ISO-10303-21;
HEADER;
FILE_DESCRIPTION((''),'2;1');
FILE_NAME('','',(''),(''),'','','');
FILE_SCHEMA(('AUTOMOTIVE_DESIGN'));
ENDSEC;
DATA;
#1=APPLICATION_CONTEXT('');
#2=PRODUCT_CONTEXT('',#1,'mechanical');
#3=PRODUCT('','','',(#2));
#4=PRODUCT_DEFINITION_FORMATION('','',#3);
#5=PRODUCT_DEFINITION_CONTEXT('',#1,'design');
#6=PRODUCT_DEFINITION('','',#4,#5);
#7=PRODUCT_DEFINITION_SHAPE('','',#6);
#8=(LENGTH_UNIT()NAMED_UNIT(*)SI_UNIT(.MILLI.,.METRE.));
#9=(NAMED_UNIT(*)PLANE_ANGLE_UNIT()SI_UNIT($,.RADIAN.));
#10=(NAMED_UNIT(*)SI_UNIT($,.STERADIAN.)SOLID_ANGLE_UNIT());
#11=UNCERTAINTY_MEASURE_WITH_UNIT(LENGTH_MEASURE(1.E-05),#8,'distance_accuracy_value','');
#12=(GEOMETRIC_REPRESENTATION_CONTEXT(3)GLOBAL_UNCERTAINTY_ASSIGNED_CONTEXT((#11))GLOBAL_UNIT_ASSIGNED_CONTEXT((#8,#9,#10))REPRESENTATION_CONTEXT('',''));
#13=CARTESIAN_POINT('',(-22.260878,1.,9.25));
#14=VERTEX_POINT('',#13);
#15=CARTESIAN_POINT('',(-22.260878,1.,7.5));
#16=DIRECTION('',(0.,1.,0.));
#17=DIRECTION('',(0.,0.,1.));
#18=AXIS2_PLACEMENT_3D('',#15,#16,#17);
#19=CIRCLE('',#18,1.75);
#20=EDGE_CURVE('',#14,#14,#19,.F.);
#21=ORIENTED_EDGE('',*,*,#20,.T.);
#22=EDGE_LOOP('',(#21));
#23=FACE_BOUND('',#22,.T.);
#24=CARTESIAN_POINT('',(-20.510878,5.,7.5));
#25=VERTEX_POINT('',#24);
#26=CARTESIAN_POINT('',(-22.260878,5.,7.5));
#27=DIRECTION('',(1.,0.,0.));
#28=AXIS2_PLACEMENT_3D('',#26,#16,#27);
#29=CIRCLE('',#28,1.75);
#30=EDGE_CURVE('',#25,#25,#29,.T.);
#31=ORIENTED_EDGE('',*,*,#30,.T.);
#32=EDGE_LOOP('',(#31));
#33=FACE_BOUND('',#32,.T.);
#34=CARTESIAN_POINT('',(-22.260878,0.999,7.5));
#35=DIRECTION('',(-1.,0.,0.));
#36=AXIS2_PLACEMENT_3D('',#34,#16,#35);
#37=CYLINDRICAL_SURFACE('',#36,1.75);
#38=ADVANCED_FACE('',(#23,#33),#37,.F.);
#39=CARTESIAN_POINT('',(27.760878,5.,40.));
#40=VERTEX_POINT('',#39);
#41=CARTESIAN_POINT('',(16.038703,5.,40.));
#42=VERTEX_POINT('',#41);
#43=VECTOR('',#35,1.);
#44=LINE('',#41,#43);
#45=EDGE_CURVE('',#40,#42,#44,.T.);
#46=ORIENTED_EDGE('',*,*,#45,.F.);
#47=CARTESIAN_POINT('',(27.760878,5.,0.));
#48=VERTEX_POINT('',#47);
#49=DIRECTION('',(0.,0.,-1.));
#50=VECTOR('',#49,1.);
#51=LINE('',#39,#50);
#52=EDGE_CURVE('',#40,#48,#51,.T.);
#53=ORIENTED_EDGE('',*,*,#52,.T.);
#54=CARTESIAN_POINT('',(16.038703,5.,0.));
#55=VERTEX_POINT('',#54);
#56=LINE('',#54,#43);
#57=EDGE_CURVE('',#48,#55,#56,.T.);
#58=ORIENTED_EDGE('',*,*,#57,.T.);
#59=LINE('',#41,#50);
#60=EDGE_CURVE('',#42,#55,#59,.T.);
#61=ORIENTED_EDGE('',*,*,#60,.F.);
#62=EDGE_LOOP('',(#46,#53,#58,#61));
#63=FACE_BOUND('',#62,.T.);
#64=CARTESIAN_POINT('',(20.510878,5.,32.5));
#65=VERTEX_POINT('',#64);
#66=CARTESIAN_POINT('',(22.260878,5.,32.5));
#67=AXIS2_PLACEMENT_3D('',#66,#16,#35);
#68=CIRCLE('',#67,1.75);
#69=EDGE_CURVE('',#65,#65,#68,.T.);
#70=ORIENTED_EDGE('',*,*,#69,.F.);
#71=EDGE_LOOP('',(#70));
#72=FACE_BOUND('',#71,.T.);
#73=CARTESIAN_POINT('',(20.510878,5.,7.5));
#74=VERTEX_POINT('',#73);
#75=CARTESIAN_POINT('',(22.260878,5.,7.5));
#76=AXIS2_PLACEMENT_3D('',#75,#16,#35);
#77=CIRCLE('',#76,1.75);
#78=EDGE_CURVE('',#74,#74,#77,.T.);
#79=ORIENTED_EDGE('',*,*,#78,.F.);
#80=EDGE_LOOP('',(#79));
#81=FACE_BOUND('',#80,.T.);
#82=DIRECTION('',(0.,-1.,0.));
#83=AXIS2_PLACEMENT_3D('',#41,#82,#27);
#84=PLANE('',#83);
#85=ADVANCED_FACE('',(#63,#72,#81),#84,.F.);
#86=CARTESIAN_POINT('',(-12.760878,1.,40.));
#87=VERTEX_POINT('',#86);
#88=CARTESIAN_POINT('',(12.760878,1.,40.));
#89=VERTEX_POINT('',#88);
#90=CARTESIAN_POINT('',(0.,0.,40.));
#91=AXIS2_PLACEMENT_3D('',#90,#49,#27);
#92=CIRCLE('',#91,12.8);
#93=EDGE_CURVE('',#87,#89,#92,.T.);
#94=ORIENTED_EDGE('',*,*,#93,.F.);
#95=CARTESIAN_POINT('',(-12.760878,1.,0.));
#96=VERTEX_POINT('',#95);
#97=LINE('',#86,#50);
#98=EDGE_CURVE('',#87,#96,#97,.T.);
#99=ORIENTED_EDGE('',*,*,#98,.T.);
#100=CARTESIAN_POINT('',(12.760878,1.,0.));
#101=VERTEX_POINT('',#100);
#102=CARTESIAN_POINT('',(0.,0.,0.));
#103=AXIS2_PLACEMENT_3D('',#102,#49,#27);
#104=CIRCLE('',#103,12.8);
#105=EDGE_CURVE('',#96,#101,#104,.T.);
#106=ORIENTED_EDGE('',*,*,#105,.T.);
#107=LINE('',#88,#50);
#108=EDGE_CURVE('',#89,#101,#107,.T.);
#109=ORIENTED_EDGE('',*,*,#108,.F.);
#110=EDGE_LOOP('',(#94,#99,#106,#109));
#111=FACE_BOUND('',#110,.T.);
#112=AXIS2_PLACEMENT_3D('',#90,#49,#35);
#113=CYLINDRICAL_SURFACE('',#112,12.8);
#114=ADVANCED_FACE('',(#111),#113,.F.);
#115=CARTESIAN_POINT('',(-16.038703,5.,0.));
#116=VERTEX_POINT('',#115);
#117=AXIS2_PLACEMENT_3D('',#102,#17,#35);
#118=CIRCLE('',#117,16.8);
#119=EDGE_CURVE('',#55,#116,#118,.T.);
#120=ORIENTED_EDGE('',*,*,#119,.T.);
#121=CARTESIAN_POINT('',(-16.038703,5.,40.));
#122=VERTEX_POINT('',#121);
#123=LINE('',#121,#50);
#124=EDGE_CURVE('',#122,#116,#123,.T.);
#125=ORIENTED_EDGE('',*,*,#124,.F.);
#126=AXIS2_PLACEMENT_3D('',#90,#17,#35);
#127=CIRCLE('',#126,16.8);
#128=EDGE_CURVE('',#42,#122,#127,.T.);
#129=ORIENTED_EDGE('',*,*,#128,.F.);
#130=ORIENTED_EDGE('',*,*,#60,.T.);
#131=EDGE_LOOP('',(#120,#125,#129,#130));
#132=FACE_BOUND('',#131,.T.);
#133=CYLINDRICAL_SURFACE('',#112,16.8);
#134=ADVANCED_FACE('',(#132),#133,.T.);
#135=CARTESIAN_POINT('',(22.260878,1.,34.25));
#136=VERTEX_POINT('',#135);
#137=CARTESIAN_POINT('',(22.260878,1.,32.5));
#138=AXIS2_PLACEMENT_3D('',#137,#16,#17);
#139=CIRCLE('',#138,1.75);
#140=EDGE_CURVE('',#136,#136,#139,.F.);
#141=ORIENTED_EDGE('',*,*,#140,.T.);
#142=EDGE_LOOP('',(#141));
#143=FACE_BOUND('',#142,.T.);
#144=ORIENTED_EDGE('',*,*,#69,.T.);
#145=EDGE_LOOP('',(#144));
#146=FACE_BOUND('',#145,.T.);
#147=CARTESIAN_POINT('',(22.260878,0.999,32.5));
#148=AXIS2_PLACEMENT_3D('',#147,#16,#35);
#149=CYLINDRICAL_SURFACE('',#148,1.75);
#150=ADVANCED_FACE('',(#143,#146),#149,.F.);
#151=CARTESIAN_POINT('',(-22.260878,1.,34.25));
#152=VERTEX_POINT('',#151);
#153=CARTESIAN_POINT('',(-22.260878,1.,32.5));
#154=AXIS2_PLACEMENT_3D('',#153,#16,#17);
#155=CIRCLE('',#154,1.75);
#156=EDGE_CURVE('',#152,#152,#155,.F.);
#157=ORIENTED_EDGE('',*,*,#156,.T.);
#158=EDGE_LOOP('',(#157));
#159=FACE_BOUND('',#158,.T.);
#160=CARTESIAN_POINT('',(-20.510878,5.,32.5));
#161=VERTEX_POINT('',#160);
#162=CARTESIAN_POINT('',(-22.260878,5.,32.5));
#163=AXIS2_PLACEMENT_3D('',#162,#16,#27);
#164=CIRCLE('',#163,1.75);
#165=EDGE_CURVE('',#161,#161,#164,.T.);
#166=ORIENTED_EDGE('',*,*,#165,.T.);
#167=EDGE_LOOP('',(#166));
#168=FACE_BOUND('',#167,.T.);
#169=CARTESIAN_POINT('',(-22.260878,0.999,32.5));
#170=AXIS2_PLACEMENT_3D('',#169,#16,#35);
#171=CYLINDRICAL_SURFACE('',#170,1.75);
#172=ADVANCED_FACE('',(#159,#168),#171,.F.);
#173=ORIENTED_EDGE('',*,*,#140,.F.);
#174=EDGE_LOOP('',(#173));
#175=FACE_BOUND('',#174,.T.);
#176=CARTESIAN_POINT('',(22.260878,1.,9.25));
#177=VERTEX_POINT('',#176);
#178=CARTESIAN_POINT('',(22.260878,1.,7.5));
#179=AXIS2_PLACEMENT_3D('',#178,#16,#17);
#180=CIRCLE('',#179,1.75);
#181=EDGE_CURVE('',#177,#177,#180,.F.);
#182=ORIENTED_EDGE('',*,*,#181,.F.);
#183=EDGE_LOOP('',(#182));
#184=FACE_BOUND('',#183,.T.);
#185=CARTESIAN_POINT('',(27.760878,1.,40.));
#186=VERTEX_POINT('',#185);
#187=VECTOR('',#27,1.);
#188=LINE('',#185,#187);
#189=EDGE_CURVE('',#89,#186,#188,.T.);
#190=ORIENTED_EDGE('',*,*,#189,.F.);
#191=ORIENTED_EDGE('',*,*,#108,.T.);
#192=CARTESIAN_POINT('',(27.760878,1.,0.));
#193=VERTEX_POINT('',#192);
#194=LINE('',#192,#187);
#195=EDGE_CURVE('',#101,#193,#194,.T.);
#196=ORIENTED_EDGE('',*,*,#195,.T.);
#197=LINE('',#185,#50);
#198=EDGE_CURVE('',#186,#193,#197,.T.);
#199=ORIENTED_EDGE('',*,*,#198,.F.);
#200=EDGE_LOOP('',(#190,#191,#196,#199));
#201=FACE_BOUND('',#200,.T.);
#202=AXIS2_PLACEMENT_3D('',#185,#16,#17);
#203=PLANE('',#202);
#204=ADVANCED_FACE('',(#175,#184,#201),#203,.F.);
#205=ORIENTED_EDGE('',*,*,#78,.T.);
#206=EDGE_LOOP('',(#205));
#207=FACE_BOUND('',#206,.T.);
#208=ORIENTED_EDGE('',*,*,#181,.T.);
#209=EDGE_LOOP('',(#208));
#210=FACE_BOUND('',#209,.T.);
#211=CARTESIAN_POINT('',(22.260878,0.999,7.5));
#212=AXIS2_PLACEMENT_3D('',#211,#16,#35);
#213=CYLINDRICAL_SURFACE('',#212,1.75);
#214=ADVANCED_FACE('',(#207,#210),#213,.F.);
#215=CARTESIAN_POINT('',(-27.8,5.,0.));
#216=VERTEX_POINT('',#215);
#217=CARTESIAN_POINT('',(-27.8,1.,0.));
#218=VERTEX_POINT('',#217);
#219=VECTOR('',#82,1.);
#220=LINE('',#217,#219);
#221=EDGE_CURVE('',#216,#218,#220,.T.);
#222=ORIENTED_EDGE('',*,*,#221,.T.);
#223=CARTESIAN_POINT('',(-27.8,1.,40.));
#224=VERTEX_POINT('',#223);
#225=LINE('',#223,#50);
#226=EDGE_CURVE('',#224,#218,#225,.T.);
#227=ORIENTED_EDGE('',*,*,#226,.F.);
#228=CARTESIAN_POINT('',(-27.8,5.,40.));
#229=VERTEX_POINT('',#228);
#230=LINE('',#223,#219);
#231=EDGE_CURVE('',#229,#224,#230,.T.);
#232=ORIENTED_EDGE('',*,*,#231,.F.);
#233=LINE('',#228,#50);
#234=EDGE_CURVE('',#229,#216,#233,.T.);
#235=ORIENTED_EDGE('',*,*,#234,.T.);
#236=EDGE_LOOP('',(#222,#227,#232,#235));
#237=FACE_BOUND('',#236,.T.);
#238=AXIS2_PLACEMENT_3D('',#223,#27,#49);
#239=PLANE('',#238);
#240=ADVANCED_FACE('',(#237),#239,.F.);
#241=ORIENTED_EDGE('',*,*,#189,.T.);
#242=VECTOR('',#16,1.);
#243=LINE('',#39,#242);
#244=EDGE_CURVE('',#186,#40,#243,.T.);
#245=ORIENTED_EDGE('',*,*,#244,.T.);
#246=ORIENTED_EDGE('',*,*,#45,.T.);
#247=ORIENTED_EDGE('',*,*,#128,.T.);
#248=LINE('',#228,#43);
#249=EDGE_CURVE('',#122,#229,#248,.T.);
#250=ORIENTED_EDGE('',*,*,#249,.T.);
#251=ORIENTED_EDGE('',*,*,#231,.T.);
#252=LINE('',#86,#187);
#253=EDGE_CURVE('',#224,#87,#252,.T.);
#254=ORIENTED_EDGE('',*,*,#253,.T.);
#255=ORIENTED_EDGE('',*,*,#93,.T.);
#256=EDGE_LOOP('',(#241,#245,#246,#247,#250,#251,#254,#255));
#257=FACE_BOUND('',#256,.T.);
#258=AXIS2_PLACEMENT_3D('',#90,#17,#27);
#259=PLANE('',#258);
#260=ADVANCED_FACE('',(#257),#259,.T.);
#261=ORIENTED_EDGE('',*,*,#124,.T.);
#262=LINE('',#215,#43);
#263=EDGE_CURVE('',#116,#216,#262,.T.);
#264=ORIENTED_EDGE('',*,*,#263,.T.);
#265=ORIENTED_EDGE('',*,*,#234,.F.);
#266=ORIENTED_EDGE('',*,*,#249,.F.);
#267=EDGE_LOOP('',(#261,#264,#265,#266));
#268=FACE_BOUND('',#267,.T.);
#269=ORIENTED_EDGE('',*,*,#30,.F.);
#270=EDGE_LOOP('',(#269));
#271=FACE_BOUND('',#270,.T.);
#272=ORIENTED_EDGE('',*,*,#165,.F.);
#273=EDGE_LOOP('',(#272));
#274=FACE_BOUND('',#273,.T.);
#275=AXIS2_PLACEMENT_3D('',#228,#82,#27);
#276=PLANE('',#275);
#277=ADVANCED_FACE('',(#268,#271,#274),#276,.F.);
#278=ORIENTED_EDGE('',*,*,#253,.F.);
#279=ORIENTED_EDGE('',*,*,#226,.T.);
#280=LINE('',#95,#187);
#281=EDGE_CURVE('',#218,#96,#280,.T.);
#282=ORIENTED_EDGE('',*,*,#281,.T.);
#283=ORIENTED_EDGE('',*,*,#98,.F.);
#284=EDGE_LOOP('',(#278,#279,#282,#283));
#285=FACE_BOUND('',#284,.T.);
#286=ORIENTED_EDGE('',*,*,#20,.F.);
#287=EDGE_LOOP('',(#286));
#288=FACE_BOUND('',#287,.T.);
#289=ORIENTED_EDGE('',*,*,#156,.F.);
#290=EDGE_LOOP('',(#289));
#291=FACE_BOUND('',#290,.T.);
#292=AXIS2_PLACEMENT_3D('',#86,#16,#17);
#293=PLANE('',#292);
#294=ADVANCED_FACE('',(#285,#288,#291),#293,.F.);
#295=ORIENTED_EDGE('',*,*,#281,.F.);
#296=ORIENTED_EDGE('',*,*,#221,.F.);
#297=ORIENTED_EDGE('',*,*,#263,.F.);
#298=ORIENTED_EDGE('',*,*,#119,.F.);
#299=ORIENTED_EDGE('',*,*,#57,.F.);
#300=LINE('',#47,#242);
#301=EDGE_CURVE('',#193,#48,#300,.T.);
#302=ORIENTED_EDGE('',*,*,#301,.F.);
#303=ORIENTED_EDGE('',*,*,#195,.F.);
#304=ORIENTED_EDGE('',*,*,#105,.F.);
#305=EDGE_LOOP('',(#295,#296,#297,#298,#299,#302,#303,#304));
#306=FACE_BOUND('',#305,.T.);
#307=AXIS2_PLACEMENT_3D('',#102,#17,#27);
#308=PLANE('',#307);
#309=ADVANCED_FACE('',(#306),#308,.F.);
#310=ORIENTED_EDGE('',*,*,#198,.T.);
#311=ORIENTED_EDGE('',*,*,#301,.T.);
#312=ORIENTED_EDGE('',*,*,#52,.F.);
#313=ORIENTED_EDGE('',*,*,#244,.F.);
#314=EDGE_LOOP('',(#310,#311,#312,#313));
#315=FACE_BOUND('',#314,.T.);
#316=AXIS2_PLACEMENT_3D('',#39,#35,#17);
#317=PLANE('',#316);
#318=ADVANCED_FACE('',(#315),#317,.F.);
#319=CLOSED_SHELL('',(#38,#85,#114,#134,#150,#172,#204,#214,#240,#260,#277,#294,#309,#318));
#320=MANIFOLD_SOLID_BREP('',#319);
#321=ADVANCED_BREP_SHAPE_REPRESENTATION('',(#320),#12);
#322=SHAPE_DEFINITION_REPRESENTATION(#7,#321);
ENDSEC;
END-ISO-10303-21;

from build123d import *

# Parameters (mm, degrees)
BOSS_EXTRUDE1_DEPTH = 40
CUT_EXTRUDE1_REACH  = 52.121
SKETCH2_R           = 1.75


with BuildPart() as part:
    # Sketch1 → Boss-Extrude1 (new body)
    with BuildSketch(Plane(origin=(0, 0, 0), x_dir=(0, 1, 0), z_dir=(0, 0, 1))):
        with BuildLine():
            Line((1, 12.760877713), (1, 27.8))
            Line((1, 27.8), (5, 27.8))
            Line((5, 27.8), (5, 16.038703189))
            ThreePointArc((5, 16.038703189), (16.8, 0), (5, -16.038703189))
            Line((5, -16.038703189), (5, -27.760877713))
            Line((5, -27.760877713), (1, -27.760877713))
            Line((1, -27.760877713), (1, -12.760877713))
            ThreePointArc((1, -12.760877713), (12.8, 0), (1, 12.760877713))
        make_face()
    extrude(amount=BOSS_EXTRUDE1_DEPTH)

    # Sketch2 → Cut-Extrude1 (cut, up to next)
    with BuildSketch(Plane(origin=(0, 5, 0), x_dir=(-1, 0, 0), z_dir=(0, 1, 0)), mode=Mode.PRIVATE) as cut_extrude1_sk1:
        with Locations((-22.260877713, 32.5)):
            Circle(SKETCH2_R)
    cut_extrude1_tool1 = extrude(cut_extrude1_sk1.sketch, amount=-CUT_EXTRUDE1_REACH, mode=Mode.PRIVATE) & part.part
    # Sketch2 → Cut-Extrude1 (cut, up to next)
    with BuildSketch(Plane(origin=(0, 5, 0), x_dir=(-1, 0, 0), z_dir=(0, 1, 0)), mode=Mode.PRIVATE) as cut_extrude1_sk2:
        with Locations((-22.260877713, 7.5)):
            Circle(SKETCH2_R)
    cut_extrude1_tool2 = extrude(cut_extrude1_sk2.sketch, amount=-CUT_EXTRUDE1_REACH, mode=Mode.PRIVATE) & part.part
    # Sketch2 → Cut-Extrude1 (cut, up to next)
    with BuildSketch(Plane(origin=(0, 5, 0), x_dir=(-1, 0, 0), z_dir=(0, 1, 0)), mode=Mode.PRIVATE) as cut_extrude1_sk3:
        with Locations(Location((22.260877713, 7.5, 0), (0, 0, 90))):
            Circle(SKETCH2_R)
    cut_extrude1_tool3 = extrude(cut_extrude1_sk3.sketch, amount=-CUT_EXTRUDE1_REACH, mode=Mode.PRIVATE) & part.part
    # Sketch2 → Cut-Extrude1 (cut, up to next)
    with BuildSketch(Plane(origin=(0, 5, 0), x_dir=(-1, 0, 0), z_dir=(0, 1, 0)), mode=Mode.PRIVATE) as cut_extrude1_sk4:
        with Locations(Location((22.260877713, 32.5, 0), (0, 0, 90))):
            Circle(SKETCH2_R)
    cut_extrude1_tool4 = extrude(cut_extrude1_sk4.sketch, amount=-CUT_EXTRUDE1_REACH, mode=Mode.PRIVATE) & part.part
    add(cut_extrude1_tool1.solids().sort_by_distance((22.260878, 5, 32.5))[0], mode=Mode.SUBTRACT)
    add(cut_extrude1_tool2.solids().sort_by_distance((22.260878, 5, 7.5))[0], mode=Mode.SUBTRACT)
    add(cut_extrude1_tool3.solids().sort_by_distance((-22.260878, 5, 7.5))[0], mode=Mode.SUBTRACT)
    add(cut_extrude1_tool4.solids().sort_by_distance((-22.260878, 5, 32.5))[0], mode=Mode.SUBTRACT)


solid = part.part
